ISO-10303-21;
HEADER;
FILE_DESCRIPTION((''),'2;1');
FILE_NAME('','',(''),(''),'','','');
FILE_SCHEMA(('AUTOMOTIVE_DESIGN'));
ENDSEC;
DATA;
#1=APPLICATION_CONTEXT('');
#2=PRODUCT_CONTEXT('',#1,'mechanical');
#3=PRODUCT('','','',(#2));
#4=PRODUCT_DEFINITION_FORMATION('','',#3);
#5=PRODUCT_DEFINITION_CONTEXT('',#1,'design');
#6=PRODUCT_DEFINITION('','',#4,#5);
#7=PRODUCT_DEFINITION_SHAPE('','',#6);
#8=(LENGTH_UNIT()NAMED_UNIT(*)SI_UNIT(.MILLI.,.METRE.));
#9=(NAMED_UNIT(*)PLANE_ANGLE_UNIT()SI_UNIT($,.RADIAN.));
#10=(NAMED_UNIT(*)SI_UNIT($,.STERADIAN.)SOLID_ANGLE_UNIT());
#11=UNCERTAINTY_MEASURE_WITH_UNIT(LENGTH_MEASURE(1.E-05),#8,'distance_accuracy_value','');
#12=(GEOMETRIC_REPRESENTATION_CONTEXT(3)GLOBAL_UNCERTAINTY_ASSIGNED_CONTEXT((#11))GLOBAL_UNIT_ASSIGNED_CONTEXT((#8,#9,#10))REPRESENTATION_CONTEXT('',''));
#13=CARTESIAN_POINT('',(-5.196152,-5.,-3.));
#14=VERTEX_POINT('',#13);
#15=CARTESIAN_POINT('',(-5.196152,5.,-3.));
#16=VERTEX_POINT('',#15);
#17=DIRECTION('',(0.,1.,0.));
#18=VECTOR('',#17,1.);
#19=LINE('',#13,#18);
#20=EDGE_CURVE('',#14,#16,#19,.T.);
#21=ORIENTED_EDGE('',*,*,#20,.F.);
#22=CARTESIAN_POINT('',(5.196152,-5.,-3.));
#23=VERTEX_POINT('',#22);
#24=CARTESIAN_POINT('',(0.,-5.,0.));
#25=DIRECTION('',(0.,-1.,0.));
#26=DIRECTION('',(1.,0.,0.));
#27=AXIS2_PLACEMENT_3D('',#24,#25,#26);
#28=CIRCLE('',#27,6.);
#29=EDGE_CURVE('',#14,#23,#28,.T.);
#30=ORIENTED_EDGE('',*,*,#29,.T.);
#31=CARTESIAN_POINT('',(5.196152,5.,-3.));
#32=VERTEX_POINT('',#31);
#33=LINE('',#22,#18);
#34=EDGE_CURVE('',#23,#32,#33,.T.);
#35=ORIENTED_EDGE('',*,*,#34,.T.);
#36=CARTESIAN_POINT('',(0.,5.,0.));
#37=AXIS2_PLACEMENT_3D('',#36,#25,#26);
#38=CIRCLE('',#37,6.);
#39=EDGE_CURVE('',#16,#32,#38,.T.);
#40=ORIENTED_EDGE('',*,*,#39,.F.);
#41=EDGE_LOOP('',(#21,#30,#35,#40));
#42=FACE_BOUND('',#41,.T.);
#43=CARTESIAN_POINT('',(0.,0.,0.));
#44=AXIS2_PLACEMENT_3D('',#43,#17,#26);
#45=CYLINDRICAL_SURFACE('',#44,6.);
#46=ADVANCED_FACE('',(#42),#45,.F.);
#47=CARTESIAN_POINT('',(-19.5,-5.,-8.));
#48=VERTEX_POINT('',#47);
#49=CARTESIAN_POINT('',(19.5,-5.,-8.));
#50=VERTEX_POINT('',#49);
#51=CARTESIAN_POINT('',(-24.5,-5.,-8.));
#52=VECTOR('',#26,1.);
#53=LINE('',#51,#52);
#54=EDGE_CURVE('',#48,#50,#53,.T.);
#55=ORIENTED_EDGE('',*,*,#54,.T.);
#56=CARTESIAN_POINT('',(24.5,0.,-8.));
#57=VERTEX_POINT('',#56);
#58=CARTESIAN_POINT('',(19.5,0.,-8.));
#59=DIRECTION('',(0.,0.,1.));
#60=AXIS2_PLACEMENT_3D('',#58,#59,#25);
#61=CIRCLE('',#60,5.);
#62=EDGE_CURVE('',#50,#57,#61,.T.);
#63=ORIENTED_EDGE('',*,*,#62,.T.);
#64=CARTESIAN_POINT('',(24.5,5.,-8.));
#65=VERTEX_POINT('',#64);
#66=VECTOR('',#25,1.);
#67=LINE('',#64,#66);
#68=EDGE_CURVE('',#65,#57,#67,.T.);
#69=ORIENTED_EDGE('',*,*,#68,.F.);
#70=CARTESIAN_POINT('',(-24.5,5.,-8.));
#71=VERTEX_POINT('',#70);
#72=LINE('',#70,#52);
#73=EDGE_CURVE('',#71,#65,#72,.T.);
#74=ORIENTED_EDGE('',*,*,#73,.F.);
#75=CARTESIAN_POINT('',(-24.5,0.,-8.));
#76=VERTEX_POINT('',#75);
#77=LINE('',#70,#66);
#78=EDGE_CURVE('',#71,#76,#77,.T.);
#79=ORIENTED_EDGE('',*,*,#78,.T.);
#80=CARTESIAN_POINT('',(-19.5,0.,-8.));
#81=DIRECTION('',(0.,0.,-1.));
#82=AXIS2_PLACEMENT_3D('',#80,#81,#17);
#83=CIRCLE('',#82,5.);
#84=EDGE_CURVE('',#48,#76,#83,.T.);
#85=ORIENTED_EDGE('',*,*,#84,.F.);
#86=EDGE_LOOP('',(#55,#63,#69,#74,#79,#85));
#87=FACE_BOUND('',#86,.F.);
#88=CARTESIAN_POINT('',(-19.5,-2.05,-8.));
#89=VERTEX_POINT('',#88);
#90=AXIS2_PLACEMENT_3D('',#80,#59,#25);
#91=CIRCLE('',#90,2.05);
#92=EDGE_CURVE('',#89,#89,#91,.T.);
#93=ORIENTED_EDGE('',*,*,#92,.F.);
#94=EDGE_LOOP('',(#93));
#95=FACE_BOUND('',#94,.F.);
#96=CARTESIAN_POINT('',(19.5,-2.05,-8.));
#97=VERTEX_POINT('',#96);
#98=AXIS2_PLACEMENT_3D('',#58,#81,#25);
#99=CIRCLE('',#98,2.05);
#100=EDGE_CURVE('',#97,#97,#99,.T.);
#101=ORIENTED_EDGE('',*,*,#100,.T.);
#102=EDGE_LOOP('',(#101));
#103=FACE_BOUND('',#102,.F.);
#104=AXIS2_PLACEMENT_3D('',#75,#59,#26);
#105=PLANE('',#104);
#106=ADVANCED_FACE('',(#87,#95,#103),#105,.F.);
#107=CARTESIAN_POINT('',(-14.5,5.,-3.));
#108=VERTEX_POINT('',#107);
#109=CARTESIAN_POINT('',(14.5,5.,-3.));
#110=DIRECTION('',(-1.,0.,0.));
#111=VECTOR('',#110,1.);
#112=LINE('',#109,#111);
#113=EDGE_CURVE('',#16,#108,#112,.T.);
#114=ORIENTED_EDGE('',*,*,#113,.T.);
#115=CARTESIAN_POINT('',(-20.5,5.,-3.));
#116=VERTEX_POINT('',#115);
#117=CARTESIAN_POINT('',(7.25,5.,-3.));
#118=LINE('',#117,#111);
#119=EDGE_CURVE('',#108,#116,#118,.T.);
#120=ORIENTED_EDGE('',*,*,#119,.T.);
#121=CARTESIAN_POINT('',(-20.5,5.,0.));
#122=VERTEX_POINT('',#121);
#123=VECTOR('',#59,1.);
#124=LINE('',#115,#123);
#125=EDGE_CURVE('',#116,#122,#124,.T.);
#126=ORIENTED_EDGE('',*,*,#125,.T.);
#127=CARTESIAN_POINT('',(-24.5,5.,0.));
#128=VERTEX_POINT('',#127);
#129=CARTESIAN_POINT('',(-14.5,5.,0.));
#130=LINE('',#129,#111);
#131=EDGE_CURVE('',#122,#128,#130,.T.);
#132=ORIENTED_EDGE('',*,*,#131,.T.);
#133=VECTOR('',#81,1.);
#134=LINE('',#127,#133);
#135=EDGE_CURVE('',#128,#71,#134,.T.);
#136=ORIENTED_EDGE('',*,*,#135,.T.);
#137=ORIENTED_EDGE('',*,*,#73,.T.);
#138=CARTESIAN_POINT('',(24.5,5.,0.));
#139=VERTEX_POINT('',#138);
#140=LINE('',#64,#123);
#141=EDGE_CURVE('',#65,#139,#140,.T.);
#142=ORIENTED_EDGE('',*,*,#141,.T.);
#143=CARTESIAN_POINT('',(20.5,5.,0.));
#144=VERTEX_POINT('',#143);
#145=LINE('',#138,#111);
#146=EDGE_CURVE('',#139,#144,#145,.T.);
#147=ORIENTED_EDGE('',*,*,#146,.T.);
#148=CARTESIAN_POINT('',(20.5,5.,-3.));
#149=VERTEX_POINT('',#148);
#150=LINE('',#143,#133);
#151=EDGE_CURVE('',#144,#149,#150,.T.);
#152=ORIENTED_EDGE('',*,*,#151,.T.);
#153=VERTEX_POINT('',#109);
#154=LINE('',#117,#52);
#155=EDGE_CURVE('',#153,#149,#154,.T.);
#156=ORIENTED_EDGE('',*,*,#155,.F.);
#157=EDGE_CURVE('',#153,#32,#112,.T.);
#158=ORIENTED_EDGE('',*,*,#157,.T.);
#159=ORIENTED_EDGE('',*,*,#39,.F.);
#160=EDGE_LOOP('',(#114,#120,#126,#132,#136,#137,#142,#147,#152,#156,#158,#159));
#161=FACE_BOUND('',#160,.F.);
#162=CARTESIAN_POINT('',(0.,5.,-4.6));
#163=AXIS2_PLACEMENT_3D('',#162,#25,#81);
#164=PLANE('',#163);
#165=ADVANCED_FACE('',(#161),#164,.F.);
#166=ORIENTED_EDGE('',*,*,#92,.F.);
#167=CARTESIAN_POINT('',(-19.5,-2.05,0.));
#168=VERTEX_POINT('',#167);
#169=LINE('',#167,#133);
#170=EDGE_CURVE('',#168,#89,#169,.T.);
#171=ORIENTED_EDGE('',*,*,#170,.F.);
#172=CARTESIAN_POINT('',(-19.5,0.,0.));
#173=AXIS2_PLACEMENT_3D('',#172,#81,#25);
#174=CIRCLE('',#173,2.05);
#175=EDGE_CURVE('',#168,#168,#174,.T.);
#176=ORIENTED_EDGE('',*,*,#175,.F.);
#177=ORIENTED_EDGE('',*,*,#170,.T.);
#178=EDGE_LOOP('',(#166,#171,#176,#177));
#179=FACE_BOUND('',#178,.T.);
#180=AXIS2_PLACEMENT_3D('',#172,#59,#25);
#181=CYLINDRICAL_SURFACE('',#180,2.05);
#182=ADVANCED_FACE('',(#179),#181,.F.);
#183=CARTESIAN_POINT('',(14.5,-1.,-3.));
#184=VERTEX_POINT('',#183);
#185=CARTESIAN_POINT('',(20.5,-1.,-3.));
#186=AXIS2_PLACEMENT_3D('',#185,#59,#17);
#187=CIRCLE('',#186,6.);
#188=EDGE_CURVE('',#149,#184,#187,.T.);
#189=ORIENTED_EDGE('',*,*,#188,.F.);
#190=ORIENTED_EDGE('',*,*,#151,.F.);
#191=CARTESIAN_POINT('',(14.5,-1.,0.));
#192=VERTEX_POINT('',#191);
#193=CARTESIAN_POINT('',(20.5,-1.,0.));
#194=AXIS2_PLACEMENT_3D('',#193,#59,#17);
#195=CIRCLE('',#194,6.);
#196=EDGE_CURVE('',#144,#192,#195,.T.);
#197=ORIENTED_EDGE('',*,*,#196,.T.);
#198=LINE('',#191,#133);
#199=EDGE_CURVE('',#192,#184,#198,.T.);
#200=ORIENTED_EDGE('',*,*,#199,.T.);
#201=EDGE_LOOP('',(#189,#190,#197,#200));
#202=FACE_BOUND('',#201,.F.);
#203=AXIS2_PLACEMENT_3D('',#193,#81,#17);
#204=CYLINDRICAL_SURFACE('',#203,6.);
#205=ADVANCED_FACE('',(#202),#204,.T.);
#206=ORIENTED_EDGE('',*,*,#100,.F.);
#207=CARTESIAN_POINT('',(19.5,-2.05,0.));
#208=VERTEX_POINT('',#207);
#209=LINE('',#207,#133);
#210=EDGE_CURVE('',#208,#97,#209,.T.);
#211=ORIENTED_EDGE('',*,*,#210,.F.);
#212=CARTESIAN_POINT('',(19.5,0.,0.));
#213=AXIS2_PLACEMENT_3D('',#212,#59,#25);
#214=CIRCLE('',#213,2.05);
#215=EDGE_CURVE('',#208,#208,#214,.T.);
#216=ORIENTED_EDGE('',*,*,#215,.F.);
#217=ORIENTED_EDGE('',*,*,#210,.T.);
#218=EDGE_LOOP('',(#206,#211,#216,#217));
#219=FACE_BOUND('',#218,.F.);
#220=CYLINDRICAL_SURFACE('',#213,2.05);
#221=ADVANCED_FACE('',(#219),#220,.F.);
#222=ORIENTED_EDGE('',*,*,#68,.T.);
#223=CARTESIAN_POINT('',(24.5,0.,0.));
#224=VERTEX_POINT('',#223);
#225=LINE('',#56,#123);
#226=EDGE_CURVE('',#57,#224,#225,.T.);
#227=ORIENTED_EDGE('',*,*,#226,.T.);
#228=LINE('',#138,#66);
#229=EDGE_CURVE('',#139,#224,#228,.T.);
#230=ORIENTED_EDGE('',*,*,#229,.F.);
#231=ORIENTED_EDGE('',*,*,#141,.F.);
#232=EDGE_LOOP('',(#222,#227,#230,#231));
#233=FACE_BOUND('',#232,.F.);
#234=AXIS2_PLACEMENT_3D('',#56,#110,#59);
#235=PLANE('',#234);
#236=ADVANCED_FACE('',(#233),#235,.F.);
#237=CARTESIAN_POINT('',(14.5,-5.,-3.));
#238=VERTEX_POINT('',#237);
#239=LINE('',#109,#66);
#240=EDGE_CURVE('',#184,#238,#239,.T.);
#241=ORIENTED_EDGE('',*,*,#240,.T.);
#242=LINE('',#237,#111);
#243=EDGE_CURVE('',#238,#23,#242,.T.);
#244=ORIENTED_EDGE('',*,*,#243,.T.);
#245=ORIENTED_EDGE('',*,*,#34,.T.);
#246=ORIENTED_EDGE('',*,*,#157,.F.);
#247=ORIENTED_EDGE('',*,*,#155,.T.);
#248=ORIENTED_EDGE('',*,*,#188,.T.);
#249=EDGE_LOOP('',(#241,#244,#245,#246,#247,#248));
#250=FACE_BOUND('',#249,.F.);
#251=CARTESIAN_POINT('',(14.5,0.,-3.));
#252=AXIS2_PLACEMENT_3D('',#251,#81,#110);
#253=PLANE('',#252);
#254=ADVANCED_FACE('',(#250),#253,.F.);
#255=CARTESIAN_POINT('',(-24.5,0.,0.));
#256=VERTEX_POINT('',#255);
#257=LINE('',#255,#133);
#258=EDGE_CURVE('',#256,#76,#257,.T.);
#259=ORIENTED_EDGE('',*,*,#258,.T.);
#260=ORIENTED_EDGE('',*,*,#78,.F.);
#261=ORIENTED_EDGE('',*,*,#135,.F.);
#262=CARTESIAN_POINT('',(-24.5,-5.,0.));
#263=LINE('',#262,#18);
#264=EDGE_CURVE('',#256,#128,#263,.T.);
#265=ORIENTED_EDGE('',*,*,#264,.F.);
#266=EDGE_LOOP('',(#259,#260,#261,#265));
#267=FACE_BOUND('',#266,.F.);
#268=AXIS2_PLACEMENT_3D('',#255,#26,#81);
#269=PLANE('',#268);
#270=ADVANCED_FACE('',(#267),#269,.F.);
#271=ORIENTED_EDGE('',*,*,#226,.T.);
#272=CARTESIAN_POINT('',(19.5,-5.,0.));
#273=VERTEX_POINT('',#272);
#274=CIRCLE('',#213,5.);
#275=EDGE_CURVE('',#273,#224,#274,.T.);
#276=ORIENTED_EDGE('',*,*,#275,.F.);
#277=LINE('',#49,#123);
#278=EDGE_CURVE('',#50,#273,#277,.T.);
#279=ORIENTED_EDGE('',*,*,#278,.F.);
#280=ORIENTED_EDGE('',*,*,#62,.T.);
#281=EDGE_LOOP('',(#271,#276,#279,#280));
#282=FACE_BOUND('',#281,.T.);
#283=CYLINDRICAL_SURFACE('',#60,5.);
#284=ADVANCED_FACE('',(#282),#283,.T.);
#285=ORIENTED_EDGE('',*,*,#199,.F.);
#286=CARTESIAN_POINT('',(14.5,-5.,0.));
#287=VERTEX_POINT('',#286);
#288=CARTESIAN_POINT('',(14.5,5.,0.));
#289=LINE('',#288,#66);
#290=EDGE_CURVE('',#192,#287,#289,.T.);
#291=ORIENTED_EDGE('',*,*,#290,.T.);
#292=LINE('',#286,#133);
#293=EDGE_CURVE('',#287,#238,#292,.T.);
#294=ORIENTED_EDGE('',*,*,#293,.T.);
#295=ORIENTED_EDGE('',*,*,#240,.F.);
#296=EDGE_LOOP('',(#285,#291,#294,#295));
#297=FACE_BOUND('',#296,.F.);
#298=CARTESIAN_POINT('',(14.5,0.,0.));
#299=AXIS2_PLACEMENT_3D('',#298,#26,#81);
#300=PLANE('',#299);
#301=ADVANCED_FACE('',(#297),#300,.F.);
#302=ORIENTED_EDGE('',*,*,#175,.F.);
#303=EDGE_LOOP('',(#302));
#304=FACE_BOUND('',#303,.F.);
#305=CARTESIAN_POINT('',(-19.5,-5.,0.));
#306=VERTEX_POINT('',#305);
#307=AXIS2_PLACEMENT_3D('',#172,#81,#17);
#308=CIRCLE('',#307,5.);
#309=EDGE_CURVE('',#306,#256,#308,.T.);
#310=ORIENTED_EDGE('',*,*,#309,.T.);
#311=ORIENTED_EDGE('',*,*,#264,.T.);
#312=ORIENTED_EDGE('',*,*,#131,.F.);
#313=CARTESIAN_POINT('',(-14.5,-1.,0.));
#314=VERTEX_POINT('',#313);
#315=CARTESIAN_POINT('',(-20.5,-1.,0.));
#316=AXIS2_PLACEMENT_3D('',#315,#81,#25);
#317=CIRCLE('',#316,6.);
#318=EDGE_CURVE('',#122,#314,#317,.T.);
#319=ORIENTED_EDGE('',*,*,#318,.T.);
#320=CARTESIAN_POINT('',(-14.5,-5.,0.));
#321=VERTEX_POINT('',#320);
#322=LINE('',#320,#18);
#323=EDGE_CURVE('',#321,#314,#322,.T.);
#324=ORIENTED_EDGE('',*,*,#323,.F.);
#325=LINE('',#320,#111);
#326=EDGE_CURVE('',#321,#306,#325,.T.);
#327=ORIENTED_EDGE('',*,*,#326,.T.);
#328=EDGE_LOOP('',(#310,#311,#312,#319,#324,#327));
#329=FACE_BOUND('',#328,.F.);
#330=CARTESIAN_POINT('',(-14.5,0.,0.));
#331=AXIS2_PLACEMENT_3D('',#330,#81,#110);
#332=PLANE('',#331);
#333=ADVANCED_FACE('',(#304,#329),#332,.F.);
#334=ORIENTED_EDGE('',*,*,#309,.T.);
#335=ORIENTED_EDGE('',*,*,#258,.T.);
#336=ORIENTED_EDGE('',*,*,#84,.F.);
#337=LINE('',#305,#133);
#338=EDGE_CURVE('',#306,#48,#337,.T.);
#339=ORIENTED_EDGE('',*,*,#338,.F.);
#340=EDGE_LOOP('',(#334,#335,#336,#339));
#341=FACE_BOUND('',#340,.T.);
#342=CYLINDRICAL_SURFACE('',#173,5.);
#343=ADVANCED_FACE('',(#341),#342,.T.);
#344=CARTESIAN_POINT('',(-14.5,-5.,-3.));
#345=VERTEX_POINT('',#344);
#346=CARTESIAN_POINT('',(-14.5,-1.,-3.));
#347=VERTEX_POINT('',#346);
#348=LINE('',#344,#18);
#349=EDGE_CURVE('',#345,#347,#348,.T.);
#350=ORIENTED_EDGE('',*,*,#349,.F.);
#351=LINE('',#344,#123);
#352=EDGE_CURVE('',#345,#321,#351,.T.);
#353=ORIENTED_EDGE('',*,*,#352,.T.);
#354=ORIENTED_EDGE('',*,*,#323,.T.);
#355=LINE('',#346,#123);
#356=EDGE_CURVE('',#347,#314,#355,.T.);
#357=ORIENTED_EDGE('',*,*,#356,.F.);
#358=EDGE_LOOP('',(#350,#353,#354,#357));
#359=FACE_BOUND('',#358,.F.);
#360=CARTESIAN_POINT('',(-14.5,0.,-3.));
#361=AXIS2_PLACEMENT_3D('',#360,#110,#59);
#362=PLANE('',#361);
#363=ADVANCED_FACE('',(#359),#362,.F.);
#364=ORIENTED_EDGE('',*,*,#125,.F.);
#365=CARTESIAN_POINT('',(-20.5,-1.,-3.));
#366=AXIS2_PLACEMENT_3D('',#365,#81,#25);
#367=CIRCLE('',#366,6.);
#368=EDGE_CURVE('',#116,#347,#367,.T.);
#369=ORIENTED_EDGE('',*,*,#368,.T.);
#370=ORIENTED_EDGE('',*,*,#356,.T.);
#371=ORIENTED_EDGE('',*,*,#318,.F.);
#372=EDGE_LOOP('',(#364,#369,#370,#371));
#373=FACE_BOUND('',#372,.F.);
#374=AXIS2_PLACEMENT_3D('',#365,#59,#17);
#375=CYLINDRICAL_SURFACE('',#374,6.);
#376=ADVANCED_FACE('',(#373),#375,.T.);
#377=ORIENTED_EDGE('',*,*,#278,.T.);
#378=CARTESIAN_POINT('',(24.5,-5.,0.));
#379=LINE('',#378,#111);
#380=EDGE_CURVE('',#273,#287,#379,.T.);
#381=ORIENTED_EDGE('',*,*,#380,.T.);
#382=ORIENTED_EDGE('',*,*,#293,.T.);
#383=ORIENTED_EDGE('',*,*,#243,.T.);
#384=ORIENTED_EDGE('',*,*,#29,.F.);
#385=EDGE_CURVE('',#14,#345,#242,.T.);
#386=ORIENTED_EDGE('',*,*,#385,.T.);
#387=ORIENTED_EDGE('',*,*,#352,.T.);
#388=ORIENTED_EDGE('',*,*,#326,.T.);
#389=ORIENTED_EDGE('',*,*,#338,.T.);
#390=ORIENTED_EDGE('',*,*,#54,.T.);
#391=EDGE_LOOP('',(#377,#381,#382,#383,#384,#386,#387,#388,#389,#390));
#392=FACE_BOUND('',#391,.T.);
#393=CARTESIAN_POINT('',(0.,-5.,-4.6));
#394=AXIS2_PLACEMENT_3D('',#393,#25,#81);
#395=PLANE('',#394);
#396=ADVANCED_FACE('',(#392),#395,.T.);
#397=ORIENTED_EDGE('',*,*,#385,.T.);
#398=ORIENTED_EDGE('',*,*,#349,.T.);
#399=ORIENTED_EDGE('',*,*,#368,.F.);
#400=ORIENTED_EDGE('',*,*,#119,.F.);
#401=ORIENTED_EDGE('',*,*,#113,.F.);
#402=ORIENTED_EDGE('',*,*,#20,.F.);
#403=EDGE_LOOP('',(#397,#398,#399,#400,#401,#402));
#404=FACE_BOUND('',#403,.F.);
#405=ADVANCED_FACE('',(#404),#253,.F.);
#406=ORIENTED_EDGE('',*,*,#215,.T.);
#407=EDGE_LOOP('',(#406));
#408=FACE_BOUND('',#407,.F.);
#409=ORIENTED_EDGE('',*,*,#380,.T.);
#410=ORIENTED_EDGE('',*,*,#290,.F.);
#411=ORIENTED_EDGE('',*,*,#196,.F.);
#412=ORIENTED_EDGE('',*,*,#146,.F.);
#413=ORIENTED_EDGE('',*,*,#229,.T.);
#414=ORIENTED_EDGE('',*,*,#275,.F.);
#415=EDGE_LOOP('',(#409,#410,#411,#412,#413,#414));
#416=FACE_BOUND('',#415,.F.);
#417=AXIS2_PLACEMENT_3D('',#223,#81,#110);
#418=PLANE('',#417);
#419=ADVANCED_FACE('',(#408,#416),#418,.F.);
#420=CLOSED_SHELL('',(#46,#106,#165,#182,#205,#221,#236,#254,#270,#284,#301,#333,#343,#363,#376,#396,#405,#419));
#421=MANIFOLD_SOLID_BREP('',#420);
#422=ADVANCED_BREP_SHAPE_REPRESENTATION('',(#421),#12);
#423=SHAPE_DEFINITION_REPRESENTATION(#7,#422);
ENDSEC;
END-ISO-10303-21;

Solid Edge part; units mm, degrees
sketch "Sketch1" plane through (0, 0, 0) normal (0, -1, 0) x (1, 0, 0)
  line L0 (-24.5, 0) -> (-24.5, -8)
  line L1 (-24.5, -8) -> (24.5, -8)
  line L2 (24.5, -8) -> (24.5, 0)
  line L3 (24.5, 0) -> (14.5, 0)
  line L4 (14.5, 0) -> (14.5, -3)
  line L5 (14.5, -3) -> (-14.5, -3)
  line L6 (-14.5, -3) -> (-14.5, 0)
  line L7 (-14.5, 0) -> (-24.5, 0)
  dimension "D1" = 29
  dimension "D2" = 49
  dimension "D3" = 5
  dimension "D4" = 10
  dimension "D5" = 3
  dimension "D6" = 8
  dimension "D7" = 14.5
  dimension "D8" = 24.5
extrude "Ajout_matière_1" add sketch "Sketch1" along normal mid plane 10
sketch "Sketch2" plane through (0, 0, 0) normal (0, -1, 0) x (1, 0, 0)
  circle A0 centre (0, 0) radius 6
extrude "Cutout1" cut sketch "Sketch2" along normal mid plane 10
hole "Perçage_1" at (-19.5, 0, 0) direction (0, 0, -1) diameter 4.1 end up to next
mirror "Mirror1" about plane through (0, 0, 0) normal (1, 0, 0) of "Perçage_1"
fillet "Congé_1" radius 6 2 edges at (-14.5, 5, -1.5) (14.5, 5, -1.5)
fillet "Congé_2" radius 5 2 edges at (-24.5, -5, -4) (24.5, -5, -4)
properties material "Plastique ABS, performance moyenne"
